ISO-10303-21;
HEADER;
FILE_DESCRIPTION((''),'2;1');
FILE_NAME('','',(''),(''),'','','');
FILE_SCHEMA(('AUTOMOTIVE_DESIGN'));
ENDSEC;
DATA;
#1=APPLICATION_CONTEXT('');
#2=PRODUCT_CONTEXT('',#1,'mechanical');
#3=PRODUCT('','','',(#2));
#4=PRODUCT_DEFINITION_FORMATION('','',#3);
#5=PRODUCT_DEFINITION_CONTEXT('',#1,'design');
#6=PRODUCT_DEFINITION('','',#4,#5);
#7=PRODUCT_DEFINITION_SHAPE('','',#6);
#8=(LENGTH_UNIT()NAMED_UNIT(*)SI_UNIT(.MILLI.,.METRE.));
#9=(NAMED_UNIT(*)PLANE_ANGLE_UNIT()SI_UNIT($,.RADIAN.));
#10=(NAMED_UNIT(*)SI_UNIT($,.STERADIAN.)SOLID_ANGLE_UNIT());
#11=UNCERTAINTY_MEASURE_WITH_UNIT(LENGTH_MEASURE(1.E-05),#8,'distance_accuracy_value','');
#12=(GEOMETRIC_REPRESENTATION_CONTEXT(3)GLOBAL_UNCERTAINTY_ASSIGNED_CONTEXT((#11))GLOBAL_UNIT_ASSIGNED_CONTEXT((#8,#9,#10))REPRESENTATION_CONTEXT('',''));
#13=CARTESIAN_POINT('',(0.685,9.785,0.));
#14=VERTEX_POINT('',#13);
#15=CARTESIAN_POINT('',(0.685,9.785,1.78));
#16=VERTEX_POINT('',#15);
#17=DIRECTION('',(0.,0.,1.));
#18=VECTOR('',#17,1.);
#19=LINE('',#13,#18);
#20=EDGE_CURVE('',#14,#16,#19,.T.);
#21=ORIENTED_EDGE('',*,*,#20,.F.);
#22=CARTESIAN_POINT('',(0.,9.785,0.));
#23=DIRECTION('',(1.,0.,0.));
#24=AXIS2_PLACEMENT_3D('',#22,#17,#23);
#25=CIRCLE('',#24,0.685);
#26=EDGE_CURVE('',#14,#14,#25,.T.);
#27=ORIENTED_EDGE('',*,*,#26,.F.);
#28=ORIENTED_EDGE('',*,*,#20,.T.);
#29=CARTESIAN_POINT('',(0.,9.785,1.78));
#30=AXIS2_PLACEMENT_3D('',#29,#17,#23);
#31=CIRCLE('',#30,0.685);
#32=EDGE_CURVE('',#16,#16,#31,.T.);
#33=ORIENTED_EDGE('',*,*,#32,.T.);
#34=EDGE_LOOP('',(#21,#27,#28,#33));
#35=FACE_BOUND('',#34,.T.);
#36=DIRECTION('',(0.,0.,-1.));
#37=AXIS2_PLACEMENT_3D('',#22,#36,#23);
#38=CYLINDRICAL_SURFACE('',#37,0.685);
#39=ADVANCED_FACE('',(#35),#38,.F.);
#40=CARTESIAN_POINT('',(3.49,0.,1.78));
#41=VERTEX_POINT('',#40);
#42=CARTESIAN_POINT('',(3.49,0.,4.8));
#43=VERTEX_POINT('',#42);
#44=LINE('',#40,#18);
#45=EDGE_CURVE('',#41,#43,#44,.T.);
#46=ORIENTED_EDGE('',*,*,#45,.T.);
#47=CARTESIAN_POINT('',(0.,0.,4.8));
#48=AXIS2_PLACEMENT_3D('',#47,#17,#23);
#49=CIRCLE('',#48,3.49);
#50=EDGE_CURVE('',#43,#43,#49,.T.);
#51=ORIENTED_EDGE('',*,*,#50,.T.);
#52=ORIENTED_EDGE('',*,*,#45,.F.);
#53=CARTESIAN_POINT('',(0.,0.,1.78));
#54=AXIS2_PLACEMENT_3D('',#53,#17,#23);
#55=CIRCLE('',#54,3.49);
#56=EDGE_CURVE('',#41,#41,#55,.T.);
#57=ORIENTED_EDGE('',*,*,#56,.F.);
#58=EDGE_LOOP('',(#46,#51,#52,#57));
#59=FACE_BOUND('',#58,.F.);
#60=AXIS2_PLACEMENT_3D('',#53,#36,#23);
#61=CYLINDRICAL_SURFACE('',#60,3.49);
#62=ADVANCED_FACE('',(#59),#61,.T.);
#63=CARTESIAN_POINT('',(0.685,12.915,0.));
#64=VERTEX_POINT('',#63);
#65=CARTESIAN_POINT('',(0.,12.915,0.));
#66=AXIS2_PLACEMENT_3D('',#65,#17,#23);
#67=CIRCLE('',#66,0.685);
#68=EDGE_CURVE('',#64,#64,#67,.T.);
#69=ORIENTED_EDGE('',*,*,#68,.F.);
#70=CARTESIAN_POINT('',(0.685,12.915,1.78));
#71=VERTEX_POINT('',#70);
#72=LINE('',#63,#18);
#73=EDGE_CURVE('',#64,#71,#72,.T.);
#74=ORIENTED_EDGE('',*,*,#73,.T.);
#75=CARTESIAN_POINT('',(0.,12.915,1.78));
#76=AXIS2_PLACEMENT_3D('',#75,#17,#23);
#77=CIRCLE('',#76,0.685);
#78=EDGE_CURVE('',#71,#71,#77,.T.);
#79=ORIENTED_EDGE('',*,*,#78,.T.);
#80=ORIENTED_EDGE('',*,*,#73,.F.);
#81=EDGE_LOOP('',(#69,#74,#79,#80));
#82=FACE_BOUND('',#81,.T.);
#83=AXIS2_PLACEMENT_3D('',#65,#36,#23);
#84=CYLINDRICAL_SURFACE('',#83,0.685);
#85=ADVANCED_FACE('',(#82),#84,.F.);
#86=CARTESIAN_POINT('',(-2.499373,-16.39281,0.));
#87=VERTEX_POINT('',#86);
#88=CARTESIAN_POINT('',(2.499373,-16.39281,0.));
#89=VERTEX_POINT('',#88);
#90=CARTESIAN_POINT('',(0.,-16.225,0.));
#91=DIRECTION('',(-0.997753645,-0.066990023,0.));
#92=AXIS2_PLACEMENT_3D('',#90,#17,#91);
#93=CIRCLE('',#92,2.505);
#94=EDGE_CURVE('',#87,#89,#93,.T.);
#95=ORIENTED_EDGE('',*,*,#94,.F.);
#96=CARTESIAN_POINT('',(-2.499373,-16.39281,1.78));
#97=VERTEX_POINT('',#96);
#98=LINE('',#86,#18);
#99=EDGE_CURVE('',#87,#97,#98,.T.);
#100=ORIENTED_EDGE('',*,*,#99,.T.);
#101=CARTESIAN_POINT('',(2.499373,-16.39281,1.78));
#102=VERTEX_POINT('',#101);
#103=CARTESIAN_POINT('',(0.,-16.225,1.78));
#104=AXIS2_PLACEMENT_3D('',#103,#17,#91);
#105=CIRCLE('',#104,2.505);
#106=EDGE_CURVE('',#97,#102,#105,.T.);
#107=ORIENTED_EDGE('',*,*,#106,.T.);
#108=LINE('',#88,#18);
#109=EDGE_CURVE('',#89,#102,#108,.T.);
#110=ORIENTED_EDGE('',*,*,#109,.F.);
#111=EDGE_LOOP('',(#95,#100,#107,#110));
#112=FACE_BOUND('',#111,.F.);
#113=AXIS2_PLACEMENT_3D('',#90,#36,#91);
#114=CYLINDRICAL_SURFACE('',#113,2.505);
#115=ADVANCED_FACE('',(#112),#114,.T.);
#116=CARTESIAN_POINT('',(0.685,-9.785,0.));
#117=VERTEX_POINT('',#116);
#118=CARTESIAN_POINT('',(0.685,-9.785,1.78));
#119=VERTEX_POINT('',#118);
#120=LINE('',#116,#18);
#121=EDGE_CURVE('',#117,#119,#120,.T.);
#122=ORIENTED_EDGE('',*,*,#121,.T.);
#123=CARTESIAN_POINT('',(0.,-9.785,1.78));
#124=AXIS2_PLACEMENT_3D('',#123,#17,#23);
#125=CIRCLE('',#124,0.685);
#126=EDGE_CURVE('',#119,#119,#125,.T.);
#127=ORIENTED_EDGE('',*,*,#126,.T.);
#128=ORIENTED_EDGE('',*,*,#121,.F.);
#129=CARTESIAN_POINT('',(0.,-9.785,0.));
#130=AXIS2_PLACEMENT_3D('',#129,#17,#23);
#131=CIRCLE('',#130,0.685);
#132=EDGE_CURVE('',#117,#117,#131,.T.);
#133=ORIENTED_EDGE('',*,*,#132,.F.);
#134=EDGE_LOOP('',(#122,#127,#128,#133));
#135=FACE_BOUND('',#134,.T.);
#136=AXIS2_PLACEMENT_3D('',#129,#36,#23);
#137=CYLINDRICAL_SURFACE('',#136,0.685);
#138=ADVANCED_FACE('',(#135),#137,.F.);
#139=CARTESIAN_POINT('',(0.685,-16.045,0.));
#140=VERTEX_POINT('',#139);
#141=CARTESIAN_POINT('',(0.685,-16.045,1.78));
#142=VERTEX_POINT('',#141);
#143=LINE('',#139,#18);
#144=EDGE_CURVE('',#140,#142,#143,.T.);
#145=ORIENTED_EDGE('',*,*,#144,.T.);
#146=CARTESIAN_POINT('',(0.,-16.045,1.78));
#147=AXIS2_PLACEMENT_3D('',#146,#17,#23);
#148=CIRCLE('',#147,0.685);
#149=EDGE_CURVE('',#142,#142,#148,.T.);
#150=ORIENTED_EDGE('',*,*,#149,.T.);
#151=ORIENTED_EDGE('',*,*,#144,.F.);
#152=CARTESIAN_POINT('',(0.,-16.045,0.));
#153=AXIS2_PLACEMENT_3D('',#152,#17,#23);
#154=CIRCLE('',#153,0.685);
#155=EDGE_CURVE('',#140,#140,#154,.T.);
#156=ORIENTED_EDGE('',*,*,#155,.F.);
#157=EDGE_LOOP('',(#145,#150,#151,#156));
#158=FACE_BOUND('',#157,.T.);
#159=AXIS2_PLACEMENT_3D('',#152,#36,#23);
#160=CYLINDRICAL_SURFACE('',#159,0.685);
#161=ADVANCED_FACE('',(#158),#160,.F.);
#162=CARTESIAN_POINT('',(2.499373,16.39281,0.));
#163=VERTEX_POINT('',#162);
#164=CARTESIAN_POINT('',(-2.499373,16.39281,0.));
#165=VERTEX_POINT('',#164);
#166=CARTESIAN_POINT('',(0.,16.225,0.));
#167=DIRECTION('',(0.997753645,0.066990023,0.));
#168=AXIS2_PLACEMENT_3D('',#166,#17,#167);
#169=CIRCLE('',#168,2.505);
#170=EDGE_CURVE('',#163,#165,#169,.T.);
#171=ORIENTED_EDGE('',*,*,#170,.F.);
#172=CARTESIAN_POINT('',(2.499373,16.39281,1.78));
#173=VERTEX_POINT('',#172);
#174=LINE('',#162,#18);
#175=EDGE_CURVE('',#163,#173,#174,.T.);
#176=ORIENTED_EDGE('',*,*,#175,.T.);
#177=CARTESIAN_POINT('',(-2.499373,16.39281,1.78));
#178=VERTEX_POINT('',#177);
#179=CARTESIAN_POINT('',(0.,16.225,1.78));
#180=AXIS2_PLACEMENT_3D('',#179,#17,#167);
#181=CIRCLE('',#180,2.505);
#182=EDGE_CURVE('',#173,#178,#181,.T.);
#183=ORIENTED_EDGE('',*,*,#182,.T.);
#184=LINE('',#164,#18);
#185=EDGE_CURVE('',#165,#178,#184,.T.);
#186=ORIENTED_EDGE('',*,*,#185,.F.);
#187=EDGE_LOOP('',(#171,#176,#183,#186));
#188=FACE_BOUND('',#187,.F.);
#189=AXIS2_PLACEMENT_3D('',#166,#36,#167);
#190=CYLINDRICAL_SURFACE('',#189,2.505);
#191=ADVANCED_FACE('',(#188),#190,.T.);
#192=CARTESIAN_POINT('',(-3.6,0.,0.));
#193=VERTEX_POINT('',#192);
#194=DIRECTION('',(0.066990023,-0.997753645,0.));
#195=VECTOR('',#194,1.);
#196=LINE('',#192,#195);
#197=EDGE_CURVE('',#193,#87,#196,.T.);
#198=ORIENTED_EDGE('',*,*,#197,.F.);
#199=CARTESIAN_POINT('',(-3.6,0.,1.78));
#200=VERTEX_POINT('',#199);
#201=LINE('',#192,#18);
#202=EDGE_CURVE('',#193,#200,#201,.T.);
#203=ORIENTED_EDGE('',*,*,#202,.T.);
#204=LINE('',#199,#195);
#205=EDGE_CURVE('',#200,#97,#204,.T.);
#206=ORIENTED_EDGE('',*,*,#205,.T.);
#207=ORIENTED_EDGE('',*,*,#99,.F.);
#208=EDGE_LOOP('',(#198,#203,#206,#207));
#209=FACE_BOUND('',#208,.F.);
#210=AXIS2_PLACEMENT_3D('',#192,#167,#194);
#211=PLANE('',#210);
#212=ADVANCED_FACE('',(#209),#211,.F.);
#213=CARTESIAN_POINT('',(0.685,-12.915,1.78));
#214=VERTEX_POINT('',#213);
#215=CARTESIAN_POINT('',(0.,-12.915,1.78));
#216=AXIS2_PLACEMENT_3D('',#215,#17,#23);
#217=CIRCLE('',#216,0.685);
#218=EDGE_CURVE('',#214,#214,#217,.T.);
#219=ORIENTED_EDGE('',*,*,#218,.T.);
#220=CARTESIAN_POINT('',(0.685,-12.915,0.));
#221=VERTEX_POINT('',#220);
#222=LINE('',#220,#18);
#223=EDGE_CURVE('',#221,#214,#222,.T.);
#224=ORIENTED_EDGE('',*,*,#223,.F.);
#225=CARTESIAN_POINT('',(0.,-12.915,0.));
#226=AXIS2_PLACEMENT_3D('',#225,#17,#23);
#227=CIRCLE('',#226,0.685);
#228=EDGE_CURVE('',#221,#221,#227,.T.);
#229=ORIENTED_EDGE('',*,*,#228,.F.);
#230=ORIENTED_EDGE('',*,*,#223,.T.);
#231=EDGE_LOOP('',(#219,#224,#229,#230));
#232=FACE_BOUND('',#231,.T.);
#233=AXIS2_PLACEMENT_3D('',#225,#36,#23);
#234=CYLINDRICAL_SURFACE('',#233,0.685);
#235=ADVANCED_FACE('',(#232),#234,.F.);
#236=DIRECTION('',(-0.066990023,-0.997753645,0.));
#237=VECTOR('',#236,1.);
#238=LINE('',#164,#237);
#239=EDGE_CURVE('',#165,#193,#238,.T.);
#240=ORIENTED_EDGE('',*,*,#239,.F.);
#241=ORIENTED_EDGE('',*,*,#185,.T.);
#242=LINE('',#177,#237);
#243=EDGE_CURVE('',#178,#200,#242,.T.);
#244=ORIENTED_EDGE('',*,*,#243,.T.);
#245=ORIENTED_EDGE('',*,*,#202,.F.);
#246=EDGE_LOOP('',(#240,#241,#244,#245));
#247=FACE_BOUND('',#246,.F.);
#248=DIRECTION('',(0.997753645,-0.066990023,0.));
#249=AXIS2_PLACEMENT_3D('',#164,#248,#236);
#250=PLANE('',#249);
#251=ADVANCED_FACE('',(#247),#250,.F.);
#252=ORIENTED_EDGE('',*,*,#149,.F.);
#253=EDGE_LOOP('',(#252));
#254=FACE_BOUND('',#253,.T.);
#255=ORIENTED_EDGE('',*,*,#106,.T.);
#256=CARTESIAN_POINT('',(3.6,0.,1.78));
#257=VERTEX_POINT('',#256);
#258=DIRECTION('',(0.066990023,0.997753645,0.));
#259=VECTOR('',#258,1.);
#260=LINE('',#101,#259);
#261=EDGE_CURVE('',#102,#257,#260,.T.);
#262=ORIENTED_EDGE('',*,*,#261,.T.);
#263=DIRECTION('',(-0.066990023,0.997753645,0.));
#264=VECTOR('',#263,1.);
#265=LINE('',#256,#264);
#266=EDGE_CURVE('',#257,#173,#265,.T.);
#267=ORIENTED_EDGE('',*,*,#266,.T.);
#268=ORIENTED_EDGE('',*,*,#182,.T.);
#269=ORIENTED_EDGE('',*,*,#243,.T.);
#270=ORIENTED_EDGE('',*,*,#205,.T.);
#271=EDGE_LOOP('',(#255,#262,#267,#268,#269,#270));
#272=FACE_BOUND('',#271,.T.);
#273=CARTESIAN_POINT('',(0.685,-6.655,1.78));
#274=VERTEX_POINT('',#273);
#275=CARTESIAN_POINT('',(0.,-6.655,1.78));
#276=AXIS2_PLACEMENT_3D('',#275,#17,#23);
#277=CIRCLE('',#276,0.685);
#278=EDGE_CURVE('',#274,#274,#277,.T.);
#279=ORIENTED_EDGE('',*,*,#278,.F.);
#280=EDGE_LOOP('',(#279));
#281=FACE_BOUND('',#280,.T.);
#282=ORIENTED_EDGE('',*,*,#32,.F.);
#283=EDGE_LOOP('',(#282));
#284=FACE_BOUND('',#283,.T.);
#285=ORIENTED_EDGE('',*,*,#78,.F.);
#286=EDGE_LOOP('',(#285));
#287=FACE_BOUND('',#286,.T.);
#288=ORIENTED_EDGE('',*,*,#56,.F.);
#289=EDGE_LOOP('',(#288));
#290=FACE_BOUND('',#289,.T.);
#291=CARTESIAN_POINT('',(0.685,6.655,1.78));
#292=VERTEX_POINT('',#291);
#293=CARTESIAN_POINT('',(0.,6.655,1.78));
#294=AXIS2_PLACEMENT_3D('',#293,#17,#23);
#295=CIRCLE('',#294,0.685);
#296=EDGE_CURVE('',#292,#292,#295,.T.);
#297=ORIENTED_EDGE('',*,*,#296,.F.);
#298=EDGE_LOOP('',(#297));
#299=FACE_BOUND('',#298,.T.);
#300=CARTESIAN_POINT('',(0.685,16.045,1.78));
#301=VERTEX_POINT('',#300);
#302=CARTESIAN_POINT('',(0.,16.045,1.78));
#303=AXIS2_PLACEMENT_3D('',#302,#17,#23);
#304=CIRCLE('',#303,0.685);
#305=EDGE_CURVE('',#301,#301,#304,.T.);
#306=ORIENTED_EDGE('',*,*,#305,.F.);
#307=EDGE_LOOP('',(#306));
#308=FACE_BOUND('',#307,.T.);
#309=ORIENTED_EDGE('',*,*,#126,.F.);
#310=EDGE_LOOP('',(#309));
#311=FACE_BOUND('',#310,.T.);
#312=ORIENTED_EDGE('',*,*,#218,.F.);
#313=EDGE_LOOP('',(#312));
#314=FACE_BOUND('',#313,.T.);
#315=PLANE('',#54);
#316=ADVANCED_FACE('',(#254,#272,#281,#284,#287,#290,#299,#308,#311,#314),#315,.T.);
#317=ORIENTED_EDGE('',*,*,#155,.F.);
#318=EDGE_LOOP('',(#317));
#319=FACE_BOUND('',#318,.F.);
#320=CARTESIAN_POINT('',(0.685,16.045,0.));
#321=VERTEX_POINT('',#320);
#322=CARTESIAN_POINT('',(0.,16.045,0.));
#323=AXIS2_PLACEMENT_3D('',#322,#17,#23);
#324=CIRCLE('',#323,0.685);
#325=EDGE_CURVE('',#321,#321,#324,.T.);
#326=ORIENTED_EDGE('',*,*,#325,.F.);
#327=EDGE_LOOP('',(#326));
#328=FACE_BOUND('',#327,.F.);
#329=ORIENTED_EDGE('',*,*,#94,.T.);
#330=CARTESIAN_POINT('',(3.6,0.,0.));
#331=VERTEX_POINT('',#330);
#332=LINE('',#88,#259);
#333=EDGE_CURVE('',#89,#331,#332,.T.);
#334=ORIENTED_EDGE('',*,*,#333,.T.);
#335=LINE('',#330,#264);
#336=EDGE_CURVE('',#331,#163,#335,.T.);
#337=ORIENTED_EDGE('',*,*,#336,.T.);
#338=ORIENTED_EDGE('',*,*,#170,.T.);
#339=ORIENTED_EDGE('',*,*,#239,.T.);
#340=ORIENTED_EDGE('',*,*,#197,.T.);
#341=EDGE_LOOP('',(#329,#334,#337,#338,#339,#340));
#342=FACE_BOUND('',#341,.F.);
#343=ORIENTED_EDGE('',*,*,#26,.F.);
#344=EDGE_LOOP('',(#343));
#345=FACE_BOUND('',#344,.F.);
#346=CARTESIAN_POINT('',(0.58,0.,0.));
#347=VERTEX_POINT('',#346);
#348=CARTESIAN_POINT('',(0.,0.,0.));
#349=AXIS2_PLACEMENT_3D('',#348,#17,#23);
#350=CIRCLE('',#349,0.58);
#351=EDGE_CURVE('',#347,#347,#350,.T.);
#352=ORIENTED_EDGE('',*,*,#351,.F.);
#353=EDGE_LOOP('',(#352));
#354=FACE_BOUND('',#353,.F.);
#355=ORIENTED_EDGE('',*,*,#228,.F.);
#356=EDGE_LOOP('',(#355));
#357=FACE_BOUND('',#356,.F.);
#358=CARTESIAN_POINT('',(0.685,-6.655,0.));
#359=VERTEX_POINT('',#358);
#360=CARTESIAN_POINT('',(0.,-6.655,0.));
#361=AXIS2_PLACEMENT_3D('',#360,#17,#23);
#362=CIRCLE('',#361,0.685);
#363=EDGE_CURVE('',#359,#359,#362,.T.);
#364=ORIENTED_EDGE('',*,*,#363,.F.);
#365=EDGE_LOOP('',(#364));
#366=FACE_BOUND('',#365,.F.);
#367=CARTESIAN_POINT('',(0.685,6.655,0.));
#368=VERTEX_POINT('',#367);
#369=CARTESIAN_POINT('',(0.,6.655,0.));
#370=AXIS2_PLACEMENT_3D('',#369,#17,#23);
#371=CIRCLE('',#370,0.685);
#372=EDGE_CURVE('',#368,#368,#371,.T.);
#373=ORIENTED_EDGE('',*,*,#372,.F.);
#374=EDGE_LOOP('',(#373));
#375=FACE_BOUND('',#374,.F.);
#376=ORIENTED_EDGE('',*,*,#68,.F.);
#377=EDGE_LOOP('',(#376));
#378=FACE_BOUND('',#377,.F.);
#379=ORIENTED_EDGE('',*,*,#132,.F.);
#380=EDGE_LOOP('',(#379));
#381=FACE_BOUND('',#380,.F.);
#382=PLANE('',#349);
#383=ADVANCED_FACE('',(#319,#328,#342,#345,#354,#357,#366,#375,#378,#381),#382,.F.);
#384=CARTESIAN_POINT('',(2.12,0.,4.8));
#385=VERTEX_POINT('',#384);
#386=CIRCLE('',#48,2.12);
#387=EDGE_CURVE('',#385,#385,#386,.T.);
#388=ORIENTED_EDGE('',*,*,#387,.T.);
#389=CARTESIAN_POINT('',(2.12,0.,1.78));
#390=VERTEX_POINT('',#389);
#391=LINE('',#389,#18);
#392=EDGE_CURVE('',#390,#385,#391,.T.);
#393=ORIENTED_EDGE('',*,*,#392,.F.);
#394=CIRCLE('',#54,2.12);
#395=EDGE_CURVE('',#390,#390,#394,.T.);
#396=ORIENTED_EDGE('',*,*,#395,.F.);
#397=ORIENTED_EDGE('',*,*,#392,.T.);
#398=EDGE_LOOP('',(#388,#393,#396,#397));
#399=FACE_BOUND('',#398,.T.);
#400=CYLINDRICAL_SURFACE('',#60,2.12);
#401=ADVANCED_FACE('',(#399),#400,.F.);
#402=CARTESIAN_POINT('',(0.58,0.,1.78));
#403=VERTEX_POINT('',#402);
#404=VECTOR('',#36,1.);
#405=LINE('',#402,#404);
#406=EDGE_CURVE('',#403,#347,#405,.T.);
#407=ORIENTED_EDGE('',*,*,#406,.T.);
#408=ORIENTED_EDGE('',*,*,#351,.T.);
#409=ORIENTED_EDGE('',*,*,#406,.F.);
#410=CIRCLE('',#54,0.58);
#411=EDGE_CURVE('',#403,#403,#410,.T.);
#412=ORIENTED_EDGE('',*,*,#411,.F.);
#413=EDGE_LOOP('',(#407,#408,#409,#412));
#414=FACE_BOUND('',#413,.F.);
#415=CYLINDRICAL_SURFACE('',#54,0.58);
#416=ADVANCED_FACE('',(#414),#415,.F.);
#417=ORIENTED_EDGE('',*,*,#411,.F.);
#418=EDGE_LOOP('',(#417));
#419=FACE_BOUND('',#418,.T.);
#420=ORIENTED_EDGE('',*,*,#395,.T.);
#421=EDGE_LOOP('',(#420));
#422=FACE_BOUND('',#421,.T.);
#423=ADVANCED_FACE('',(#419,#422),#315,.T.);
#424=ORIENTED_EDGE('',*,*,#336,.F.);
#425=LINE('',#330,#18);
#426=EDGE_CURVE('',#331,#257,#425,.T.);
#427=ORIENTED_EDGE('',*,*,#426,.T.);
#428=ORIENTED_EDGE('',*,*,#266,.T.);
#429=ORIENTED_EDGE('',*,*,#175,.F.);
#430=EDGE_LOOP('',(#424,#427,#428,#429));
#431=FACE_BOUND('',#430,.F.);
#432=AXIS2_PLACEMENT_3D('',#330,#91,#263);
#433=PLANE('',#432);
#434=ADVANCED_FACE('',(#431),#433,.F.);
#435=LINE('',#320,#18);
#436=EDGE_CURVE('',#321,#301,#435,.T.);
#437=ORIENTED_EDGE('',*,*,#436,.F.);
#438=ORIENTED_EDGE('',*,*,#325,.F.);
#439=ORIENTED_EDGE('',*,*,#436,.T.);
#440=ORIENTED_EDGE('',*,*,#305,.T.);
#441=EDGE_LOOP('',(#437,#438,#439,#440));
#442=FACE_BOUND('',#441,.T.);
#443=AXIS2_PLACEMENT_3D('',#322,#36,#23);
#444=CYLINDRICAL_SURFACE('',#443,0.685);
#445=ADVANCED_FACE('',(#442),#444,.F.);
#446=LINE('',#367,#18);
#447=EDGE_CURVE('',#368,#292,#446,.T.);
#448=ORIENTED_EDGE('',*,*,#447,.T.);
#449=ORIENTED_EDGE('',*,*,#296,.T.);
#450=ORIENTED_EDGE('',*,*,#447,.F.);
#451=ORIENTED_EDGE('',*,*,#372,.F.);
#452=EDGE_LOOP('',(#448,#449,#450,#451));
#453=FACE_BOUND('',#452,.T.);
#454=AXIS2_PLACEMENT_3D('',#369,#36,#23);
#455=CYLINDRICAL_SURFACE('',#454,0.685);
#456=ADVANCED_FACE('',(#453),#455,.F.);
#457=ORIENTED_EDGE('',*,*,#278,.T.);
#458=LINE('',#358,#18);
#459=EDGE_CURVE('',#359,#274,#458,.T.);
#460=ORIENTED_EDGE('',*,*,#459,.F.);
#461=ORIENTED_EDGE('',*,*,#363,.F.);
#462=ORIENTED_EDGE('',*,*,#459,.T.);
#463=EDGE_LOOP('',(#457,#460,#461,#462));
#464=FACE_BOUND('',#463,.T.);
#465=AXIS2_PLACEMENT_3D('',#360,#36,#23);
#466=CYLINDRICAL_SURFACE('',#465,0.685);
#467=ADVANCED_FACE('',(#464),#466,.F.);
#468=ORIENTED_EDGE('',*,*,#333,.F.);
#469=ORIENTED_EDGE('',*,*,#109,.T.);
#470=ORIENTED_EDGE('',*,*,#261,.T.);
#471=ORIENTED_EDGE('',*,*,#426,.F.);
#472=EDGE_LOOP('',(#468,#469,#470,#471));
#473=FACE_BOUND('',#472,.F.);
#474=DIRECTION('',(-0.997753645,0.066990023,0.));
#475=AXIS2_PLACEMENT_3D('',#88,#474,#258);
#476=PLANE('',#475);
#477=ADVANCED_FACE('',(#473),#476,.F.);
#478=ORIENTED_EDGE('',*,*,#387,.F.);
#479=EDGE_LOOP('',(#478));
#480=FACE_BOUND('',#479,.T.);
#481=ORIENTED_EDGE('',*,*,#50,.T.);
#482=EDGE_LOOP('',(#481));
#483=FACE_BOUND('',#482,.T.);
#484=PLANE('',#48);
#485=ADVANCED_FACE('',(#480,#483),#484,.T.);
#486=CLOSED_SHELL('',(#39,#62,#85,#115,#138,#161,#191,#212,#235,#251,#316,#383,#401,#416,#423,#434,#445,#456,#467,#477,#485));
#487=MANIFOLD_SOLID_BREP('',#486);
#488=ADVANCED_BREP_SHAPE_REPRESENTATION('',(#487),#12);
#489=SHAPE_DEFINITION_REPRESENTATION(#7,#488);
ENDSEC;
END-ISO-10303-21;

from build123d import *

# Parameters (mm, degrees)
F0_R     = 0.685
F1_DEPTH = 1.78
F2_R     = 3.49
F2_R_2   = 2.12
F3_DEPTH = 3.02
F4_R     = 0.58
F5_DEPTH = 1.78


with BuildPart() as f1:
    # F0 (on Top) → F1 (new body)
    with BuildSketch(Plane.XY):
        with BuildLine():
            Line((3.6, 0), (2.4993728816, 16.3928100076))
            ThreePointArc((2.4993728816, 16.3928100076), (0, 18.73), (-2.4993728816, 16.3928100076))
            Line((-2.4993728816, 16.3928100076), (-3.6, 0))
            Line((-3.6, 0), (-2.4993728816, -16.3928100076))
            ThreePointArc((-2.4993728816, -16.3928100076), (0, -18.73), (2.4993728816, -16.3928100076))
            Line((2.4993728816, -16.3928100076), (3.6, 0))
        make_face()
        with Locations((0, -16.045)):
            Circle(F0_R, mode=Mode.SUBTRACT)
        with Locations((0, -12.915)):
            Circle(F0_R, mode=Mode.SUBTRACT)
        with Locations((0, -9.785)):
            Circle(F0_R, mode=Mode.SUBTRACT)
        with Locations((0, -6.655)):
            Circle(F0_R, mode=Mode.SUBTRACT)
        with Locations((0, 6.655)):
            Circle(F0_R, mode=Mode.SUBTRACT)
        with Locations((0, 9.785)):
            Circle(F0_R, mode=Mode.SUBTRACT)
        with Locations((0, 12.915)):
            Circle(F0_R, mode=Mode.SUBTRACT)
        with Locations((0, 16.045)):
            Circle(F0_R, mode=Mode.SUBTRACT)
    extrude(amount=F1_DEPTH)

    # F2 (on face) → F3 (join)
    with BuildSketch(Plane.XY.offset(1.78)):
        Circle(F2_R)
        Circle(F2_R_2, mode=Mode.SUBTRACT)
    extrude(amount=F3_DEPTH)

    # F4 (on face) → F5 (cut, through all)
    with BuildSketch(Plane.XY.offset(1.78)):
        Circle(F4_R)
    extrude(amount=-F5_DEPTH, mode=Mode.SUBTRACT)


solid = f1.part
